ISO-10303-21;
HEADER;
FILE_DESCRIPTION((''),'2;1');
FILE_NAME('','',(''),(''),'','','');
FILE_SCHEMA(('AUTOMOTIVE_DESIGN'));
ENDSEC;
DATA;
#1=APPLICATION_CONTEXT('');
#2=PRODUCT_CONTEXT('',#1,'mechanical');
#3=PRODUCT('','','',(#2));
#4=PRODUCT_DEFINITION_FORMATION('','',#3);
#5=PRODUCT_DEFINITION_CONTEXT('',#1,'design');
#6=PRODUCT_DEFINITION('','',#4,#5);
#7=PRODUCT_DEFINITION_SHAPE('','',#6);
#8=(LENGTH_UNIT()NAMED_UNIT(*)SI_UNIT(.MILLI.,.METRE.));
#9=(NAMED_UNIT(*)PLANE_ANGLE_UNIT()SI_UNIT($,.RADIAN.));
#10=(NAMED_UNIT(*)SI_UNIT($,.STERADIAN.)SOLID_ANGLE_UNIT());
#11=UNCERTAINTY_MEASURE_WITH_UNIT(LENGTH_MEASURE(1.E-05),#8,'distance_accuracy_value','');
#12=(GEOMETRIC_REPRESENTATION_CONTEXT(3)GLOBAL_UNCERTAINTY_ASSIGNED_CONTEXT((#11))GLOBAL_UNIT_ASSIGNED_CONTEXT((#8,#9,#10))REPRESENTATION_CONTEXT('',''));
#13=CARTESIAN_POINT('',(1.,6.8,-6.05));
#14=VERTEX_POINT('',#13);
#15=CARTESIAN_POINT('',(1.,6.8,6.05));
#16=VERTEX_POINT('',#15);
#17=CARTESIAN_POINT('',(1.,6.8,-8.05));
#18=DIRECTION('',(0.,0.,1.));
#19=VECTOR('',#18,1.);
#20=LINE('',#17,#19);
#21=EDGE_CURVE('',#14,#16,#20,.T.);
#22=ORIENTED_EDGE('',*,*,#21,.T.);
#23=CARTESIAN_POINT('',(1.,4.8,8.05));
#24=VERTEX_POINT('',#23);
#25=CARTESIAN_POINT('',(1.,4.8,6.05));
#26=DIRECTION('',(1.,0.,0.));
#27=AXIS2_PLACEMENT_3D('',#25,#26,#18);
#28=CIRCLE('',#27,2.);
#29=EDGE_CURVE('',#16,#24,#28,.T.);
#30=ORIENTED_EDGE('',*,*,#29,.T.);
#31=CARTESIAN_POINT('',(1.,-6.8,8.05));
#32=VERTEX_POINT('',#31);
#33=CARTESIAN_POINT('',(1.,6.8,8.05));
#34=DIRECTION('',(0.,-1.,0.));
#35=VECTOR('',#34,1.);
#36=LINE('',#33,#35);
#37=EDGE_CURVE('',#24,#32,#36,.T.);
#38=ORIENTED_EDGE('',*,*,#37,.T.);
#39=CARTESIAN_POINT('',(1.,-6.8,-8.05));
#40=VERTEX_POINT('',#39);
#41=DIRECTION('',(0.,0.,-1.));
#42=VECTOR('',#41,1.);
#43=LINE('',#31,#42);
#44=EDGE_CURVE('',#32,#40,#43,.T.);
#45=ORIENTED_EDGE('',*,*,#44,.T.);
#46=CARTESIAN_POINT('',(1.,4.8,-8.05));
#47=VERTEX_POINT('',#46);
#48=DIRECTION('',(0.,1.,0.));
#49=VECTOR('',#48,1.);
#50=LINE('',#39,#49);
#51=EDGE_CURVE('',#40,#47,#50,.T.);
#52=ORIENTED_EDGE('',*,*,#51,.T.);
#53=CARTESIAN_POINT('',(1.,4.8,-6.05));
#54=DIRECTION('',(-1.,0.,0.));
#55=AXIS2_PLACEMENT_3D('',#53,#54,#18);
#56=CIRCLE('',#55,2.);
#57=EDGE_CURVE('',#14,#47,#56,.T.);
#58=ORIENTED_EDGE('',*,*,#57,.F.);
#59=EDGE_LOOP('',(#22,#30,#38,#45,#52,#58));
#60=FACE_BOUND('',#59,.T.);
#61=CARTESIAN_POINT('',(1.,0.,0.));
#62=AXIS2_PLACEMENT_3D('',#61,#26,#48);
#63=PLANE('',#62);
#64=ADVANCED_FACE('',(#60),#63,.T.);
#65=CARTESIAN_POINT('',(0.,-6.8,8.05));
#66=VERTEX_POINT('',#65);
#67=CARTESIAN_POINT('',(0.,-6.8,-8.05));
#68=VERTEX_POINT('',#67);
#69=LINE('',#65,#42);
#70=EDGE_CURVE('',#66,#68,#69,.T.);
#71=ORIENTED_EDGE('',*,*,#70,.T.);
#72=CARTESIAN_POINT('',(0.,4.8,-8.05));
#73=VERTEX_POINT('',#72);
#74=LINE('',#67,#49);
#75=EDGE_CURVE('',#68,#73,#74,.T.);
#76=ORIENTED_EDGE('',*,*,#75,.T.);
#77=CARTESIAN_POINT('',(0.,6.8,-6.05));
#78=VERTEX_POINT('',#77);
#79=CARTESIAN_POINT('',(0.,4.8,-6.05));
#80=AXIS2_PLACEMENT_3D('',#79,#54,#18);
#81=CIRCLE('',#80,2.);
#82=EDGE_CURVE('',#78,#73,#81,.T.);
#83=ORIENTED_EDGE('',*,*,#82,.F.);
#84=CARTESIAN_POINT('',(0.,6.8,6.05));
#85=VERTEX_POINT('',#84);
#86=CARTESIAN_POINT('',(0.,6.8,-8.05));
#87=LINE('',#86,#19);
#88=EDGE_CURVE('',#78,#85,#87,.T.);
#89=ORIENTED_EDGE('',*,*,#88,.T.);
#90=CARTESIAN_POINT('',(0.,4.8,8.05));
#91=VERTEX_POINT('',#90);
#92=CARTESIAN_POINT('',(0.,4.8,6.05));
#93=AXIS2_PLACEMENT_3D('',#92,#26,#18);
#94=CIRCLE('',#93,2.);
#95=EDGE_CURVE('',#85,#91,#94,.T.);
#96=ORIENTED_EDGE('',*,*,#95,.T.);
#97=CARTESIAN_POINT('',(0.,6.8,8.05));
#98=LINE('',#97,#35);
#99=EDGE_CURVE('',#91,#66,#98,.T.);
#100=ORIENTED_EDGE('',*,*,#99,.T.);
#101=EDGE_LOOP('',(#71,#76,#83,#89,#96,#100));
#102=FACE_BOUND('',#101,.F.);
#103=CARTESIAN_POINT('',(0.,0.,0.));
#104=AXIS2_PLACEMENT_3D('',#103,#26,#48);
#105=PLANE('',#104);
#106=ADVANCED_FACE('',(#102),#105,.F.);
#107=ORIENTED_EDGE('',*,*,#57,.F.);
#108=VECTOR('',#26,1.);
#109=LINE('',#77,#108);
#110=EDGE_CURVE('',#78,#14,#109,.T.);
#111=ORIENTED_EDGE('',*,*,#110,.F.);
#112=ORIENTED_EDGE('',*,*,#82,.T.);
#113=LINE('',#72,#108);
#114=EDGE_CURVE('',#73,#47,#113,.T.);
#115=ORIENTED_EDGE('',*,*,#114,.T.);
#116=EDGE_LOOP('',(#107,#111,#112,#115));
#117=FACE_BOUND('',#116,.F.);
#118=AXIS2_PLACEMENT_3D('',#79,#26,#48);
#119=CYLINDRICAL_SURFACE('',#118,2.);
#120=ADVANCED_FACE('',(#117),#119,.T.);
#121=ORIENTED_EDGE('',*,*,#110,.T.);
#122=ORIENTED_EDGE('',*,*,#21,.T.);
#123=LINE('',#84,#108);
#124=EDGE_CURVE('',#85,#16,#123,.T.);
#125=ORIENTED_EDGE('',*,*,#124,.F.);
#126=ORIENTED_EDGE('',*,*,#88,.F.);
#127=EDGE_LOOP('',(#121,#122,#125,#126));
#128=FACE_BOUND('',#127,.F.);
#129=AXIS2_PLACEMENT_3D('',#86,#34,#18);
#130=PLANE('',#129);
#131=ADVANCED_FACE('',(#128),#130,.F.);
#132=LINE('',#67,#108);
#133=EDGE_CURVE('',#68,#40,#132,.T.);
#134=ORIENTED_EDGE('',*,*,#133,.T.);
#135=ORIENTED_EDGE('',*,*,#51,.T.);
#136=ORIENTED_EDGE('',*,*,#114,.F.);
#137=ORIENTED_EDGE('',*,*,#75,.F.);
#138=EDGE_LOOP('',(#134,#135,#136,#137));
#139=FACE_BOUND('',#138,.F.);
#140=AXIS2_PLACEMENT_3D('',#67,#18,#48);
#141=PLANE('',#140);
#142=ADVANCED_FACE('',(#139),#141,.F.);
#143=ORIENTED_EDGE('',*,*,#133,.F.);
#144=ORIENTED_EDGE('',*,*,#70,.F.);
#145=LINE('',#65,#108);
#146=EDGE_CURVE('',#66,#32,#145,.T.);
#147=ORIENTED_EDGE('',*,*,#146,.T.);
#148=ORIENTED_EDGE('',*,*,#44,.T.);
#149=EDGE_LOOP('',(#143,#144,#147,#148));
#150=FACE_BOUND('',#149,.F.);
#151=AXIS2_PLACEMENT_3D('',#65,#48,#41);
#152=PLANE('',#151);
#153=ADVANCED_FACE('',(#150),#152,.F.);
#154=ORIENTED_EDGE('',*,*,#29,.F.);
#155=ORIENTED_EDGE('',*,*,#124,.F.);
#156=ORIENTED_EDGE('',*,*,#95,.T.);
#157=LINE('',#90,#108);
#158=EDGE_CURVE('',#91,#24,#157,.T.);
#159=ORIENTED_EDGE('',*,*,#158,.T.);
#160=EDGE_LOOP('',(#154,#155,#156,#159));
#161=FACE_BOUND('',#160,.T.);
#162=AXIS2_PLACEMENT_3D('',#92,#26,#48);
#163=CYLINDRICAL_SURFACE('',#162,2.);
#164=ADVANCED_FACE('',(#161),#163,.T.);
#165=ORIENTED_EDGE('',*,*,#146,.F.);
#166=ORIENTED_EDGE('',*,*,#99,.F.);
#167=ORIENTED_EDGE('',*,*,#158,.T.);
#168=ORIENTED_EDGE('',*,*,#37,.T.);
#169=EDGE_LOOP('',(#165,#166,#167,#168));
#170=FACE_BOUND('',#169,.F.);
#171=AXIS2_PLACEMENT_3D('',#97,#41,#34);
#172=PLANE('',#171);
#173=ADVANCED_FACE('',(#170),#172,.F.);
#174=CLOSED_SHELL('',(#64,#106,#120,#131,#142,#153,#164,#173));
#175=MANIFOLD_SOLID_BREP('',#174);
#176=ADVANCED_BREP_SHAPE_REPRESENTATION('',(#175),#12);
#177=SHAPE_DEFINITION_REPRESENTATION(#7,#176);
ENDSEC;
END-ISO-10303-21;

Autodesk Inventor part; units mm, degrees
ref_plane "YZ Plane" through (0, 0, 0) normal (1, 0, 0) x (0, 1, 0)
ref_plane "XZ Plane" through (0, 0, 0) normal (0, 1, 0) x (-1, 0, 0)
ref_plane "XY Plane" through (0, 0, 0) normal (0, 0, 1) x (1, 0, 0)
sketch "Sketch1" plane through (0, 0, 0) normal (1, 0, 0) x (0, 1, 0)
  line L0 (6.8, 8.05) -> (-6.8, 8.05)
  line L1 (-6.8, 8.05) -> (-6.8, -8.05)
  line L2 (-6.8, -8.05) -> (6.8, -8.05)
  line L3 (6.8, -8.05) -> (6.8, 8.05)
  point P0 (0, 0)
  dimension "d0" = 16.1
  dimension "d1" = 13.6
  dimension "d2" = 6.8
  dimension "d3" = 8.05
extrude "Extrusion1" add sketch "Sketch1" along normal blind 1
fillet "Fillet1" radius 2 2 edges at (0.5, 6.8, 8.05) (0.5, 6.8, -8.05)
equation "\"d2\" = 0.5 * d1"
equation "\"d3\" = 0.5 * d0"
properties part number "fingertip lid 4"
